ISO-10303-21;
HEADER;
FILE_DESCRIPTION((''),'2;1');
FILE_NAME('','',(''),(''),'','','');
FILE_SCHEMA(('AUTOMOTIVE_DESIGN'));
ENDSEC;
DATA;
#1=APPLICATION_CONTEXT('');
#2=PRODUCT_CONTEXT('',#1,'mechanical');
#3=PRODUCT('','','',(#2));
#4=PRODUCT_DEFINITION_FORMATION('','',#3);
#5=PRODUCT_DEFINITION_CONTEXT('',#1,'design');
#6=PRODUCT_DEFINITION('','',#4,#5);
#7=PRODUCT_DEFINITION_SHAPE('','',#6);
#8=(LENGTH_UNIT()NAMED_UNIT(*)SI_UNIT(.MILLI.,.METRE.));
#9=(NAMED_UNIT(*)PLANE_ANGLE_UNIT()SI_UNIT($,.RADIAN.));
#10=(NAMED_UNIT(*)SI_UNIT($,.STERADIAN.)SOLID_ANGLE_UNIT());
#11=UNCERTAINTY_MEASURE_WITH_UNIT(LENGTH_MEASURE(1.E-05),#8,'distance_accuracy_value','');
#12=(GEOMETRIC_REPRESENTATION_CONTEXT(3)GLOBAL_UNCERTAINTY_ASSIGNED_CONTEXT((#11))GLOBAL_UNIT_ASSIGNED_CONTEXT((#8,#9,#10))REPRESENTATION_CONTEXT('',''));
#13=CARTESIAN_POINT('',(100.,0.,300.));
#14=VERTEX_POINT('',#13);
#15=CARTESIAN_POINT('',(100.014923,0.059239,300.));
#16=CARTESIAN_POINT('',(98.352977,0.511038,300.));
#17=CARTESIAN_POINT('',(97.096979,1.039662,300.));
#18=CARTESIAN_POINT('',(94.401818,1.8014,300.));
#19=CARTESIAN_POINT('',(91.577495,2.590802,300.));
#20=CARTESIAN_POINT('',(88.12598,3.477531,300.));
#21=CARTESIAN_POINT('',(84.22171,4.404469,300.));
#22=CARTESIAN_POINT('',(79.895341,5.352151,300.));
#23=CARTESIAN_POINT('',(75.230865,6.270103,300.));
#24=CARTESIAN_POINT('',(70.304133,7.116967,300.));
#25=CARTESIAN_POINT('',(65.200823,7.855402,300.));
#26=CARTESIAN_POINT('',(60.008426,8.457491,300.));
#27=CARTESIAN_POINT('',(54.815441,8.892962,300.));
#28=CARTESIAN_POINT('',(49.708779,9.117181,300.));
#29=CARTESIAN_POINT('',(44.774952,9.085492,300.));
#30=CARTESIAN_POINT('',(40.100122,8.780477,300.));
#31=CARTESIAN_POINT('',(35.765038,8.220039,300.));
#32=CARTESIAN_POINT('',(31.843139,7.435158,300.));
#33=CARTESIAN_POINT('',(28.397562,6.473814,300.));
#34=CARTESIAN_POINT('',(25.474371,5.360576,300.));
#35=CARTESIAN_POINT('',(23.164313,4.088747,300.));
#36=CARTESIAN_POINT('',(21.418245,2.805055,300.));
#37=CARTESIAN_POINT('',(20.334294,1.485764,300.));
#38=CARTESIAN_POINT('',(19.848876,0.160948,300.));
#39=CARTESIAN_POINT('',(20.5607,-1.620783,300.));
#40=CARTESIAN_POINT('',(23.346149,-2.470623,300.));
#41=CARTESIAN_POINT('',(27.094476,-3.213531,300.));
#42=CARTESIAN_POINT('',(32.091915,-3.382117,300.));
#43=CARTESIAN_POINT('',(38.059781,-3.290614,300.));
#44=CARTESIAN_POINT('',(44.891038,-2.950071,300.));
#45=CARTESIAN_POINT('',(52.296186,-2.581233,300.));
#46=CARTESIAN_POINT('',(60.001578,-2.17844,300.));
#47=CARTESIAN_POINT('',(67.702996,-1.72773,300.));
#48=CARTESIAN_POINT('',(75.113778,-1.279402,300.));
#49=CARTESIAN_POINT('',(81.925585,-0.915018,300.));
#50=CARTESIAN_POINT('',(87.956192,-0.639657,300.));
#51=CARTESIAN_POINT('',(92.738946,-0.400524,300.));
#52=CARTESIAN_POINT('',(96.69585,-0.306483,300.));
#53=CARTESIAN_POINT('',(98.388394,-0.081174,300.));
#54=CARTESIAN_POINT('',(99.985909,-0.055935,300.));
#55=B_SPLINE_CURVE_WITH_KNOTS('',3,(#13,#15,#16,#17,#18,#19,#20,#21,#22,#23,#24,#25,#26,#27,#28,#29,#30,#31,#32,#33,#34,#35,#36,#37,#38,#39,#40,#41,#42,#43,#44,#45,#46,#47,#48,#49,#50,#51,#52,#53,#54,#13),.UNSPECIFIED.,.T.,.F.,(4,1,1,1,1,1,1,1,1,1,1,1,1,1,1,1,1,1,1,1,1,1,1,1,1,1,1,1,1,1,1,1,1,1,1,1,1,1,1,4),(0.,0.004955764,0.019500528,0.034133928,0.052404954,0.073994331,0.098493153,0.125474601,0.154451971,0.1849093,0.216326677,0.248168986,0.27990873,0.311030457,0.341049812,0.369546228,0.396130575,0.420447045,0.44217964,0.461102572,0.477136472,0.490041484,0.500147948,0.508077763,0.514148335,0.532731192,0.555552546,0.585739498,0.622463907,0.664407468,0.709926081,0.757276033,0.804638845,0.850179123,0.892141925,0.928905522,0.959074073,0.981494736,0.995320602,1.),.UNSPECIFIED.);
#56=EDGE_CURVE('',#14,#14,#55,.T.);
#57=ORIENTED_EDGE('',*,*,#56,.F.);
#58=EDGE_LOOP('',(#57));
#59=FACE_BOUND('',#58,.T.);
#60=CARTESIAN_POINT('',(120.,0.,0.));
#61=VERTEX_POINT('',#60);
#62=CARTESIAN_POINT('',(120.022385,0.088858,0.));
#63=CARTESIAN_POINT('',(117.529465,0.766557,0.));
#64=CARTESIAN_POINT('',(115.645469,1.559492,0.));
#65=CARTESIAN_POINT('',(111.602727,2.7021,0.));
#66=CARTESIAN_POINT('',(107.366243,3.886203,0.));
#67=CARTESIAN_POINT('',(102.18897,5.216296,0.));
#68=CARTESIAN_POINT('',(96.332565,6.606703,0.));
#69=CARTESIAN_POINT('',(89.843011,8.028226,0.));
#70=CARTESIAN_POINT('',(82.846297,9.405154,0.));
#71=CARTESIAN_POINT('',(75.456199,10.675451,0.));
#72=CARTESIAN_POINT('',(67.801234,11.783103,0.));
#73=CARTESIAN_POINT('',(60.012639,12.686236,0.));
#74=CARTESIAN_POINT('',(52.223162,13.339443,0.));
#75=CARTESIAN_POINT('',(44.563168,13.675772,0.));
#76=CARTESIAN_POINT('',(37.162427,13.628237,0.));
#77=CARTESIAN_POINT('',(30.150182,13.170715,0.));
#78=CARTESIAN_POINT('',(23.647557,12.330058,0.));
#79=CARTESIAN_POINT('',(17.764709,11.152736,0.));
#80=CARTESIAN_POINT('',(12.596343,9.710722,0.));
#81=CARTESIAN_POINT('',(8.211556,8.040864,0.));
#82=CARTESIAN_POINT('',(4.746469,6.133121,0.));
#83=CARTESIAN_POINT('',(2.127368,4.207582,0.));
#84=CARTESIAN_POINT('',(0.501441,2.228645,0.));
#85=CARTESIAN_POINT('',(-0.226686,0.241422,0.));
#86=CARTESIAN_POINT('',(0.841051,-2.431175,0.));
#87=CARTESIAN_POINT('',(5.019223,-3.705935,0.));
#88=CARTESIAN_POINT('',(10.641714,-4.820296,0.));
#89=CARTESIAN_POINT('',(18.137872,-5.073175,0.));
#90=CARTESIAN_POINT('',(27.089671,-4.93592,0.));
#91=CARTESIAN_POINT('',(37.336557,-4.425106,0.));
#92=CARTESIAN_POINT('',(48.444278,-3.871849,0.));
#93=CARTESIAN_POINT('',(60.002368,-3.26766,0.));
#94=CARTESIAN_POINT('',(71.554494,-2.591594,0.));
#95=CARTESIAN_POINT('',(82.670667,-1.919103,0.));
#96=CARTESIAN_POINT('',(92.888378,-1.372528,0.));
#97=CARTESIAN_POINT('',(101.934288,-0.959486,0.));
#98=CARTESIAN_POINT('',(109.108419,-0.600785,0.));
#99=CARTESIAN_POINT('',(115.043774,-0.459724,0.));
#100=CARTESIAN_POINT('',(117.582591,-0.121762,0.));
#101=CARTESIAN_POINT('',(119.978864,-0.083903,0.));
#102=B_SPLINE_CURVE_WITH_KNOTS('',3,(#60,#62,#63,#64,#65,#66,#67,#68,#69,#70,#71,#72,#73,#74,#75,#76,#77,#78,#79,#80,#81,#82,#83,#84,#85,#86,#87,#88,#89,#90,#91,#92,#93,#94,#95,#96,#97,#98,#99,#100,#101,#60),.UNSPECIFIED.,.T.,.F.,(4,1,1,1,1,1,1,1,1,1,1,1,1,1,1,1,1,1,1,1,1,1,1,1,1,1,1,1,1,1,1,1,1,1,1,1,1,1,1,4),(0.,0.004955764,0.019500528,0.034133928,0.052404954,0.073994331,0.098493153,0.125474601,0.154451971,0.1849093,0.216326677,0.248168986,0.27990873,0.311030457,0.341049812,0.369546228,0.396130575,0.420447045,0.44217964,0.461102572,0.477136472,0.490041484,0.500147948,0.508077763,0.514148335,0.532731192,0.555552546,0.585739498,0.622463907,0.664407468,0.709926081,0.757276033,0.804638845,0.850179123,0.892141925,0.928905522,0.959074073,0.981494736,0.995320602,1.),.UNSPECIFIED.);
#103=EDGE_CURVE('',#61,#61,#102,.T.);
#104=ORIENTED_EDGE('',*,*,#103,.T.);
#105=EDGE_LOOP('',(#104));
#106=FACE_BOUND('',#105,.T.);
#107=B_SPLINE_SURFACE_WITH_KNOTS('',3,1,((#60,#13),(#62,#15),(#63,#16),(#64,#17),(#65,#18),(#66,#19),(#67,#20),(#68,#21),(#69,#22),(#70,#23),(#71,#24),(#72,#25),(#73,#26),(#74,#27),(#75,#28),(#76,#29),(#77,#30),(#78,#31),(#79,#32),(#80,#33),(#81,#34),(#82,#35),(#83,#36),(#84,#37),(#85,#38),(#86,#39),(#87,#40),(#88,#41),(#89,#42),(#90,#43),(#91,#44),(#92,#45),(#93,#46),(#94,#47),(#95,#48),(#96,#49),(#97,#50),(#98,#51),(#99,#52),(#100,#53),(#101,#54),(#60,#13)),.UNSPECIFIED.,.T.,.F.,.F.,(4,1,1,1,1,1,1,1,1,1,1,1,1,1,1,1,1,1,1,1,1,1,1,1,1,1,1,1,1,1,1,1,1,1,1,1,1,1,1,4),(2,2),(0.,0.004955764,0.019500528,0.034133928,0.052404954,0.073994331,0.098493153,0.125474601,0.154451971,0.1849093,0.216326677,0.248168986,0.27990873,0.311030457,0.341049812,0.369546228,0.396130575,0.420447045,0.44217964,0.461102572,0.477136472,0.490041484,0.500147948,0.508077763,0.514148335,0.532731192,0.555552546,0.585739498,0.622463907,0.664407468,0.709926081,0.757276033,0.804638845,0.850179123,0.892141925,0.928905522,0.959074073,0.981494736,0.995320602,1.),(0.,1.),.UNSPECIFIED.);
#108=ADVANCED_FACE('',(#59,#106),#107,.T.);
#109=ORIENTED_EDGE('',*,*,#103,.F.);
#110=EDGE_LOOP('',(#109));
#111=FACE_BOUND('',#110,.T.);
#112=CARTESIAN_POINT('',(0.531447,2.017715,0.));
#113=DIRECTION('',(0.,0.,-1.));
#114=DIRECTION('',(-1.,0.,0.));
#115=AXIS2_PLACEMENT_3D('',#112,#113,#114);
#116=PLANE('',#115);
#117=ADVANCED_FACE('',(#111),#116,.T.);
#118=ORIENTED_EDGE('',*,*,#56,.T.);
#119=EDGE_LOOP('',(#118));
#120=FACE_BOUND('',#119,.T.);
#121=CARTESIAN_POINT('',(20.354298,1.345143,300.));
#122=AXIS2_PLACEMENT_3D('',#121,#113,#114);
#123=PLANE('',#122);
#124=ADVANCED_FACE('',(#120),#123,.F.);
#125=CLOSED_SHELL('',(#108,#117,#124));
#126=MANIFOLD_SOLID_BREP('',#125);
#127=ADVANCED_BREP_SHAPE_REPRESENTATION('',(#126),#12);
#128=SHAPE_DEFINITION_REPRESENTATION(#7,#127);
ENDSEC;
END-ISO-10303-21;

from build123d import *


with BuildPart() as part:
    # Sketch2 → Loft1 section 0
    with BuildSketch(Plane.XY):
        with BuildLine():
            add(Edge.make_bspline(
                [(120, 0), (120.022384754, 0.088858213), (117.529465416, 0.76655728), (115.645469186, 1.559492433), (111.602726822, 2.702099645), (107.366243064, 3.886202623), (102.188969756, 5.216296208), (96.332565014, 6.606702758), (89.84301129, 8.028226141), (82.84629699, 9.405154025), (75.456199258, 10.675450627), (67.801234327, 11.783103119), (60.012638801, 12.686235785), (52.223162104, 13.339442692), (44.563168168, 13.675772086), (37.162427273, 13.628237267), (30.150182347, 13.170715138), (23.647556567, 12.330057836), (17.764709039, 11.15273642), (12.596343196, 9.710721519), (8.211556477, 8.040863566), (4.746468764, 6.133120505), (2.127368016, 4.207581845), (0.501441136, 2.228645415), (-0.226685793, 0.241421862), (0.841050579, -2.431174626), (5.019222974, -3.705935019), (10.641713606, -4.820296002), (18.137871944, -5.073174875), (27.089671483, -4.935920443), (37.336556909, -4.425106456), (48.444278472, -3.871849088), (60.002367664, -3.267660116), (71.554494203, -2.59159443), (82.670666966, -1.919103328), (92.88837754, -1.372527667), (101.934288393, -0.959485986), (109.108419165, -0.600785276), (115.043774382, -0.459723921), (117.582591266, -0.121761562), (119.978863565, -0.083902904), (120, 0)],
                knots=[0, 0, 0, 0, 0.004955764, 0.019500528, 0.034133928, 0.052404954, 0.073994331, 0.098493153, 0.125474601, 0.154451971, 0.1849093, 0.216326677, 0.248168986, 0.27990873, 0.311030457, 0.341049812, 0.369546228, 0.396130575, 0.420447045, 0.44217964, 0.461102572, 0.477136472, 0.490041484, 0.500147948, 0.508077763, 0.514148335, 0.532731192, 0.555552546, 0.585739498, 0.622463907, 0.664407468, 0.709926081, 0.757276033, 0.804638845, 0.850179123, 0.892141925, 0.928905522, 0.959074073, 0.981494736, 0.995320602, 1, 1, 1, 1], degree=3))
        make_face()
    # Sketch3 → Loft1 section 1
    with BuildSketch(Plane.XY.offset(300)):
        with BuildLine():
            add(Edge.make_bspline(
                [(100, 0), (100.014923169, 0.059238809), (98.352976944, 0.511038187), (97.096979457, 1.039661622), (94.401817881, 1.801399763), (91.577495376, 2.590801749), (88.125979837, 3.477530805), (84.22171001, 4.404468505), (79.89534086, 5.35215076), (75.23086466, 6.270102683), (70.304132839, 7.116967084), (65.200822885, 7.855402079), (60.008425868, 8.457490523), (54.815441403, 8.892961794), (49.708778779, 9.117181391), (44.774951515, 9.085491511), (40.100121565, 8.780476759), (35.765037711, 8.220038557), (31.843139359, 7.435157613), (28.397562131, 6.473814346), (25.474370985, 5.360575711), (23.164312509, 4.088747004), (21.418245344, 2.805054563), (20.334294091, 1.48576361), (19.848876138, 0.160947908), (20.560700386, -1.620783084), (23.34614865, -2.470623346), (27.094475737, -3.213530668), (32.091914629, -3.382116584), (38.059780988, -3.290613629), (44.891037939, -2.950070971), (52.296185648, -2.581232726), (60.001578443, -2.178440077), (67.702996135, -1.72772962), (75.113777977, -1.279402219), (81.925585027, -0.915018444), (87.956192262, -0.639657324), (92.73894611, -0.400523517), (96.695849588, -0.306482614), (98.388394177, -0.081174375), (99.985909043, -0.055935269), (100, 0)],
                knots=[0, 0, 0, 0, 0.004955764, 0.019500528, 0.034133928, 0.052404954, 0.073994331, 0.098493153, 0.125474601, 0.154451971, 0.1849093, 0.216326677, 0.248168986, 0.27990873, 0.311030457, 0.341049812, 0.369546228, 0.396130575, 0.420447045, 0.44217964, 0.461102572, 0.477136472, 0.490041484, 0.500147948, 0.508077763, 0.514148335, 0.532731192, 0.555552546, 0.585739498, 0.622463907, 0.664407468, 0.709926081, 0.757276033, 0.804638845, 0.850179123, 0.892141925, 0.928905522, 0.959074073, 0.981494736, 0.995320602, 1, 1, 1, 1], degree=3))
        make_face()
    loft()


solid = part.part
